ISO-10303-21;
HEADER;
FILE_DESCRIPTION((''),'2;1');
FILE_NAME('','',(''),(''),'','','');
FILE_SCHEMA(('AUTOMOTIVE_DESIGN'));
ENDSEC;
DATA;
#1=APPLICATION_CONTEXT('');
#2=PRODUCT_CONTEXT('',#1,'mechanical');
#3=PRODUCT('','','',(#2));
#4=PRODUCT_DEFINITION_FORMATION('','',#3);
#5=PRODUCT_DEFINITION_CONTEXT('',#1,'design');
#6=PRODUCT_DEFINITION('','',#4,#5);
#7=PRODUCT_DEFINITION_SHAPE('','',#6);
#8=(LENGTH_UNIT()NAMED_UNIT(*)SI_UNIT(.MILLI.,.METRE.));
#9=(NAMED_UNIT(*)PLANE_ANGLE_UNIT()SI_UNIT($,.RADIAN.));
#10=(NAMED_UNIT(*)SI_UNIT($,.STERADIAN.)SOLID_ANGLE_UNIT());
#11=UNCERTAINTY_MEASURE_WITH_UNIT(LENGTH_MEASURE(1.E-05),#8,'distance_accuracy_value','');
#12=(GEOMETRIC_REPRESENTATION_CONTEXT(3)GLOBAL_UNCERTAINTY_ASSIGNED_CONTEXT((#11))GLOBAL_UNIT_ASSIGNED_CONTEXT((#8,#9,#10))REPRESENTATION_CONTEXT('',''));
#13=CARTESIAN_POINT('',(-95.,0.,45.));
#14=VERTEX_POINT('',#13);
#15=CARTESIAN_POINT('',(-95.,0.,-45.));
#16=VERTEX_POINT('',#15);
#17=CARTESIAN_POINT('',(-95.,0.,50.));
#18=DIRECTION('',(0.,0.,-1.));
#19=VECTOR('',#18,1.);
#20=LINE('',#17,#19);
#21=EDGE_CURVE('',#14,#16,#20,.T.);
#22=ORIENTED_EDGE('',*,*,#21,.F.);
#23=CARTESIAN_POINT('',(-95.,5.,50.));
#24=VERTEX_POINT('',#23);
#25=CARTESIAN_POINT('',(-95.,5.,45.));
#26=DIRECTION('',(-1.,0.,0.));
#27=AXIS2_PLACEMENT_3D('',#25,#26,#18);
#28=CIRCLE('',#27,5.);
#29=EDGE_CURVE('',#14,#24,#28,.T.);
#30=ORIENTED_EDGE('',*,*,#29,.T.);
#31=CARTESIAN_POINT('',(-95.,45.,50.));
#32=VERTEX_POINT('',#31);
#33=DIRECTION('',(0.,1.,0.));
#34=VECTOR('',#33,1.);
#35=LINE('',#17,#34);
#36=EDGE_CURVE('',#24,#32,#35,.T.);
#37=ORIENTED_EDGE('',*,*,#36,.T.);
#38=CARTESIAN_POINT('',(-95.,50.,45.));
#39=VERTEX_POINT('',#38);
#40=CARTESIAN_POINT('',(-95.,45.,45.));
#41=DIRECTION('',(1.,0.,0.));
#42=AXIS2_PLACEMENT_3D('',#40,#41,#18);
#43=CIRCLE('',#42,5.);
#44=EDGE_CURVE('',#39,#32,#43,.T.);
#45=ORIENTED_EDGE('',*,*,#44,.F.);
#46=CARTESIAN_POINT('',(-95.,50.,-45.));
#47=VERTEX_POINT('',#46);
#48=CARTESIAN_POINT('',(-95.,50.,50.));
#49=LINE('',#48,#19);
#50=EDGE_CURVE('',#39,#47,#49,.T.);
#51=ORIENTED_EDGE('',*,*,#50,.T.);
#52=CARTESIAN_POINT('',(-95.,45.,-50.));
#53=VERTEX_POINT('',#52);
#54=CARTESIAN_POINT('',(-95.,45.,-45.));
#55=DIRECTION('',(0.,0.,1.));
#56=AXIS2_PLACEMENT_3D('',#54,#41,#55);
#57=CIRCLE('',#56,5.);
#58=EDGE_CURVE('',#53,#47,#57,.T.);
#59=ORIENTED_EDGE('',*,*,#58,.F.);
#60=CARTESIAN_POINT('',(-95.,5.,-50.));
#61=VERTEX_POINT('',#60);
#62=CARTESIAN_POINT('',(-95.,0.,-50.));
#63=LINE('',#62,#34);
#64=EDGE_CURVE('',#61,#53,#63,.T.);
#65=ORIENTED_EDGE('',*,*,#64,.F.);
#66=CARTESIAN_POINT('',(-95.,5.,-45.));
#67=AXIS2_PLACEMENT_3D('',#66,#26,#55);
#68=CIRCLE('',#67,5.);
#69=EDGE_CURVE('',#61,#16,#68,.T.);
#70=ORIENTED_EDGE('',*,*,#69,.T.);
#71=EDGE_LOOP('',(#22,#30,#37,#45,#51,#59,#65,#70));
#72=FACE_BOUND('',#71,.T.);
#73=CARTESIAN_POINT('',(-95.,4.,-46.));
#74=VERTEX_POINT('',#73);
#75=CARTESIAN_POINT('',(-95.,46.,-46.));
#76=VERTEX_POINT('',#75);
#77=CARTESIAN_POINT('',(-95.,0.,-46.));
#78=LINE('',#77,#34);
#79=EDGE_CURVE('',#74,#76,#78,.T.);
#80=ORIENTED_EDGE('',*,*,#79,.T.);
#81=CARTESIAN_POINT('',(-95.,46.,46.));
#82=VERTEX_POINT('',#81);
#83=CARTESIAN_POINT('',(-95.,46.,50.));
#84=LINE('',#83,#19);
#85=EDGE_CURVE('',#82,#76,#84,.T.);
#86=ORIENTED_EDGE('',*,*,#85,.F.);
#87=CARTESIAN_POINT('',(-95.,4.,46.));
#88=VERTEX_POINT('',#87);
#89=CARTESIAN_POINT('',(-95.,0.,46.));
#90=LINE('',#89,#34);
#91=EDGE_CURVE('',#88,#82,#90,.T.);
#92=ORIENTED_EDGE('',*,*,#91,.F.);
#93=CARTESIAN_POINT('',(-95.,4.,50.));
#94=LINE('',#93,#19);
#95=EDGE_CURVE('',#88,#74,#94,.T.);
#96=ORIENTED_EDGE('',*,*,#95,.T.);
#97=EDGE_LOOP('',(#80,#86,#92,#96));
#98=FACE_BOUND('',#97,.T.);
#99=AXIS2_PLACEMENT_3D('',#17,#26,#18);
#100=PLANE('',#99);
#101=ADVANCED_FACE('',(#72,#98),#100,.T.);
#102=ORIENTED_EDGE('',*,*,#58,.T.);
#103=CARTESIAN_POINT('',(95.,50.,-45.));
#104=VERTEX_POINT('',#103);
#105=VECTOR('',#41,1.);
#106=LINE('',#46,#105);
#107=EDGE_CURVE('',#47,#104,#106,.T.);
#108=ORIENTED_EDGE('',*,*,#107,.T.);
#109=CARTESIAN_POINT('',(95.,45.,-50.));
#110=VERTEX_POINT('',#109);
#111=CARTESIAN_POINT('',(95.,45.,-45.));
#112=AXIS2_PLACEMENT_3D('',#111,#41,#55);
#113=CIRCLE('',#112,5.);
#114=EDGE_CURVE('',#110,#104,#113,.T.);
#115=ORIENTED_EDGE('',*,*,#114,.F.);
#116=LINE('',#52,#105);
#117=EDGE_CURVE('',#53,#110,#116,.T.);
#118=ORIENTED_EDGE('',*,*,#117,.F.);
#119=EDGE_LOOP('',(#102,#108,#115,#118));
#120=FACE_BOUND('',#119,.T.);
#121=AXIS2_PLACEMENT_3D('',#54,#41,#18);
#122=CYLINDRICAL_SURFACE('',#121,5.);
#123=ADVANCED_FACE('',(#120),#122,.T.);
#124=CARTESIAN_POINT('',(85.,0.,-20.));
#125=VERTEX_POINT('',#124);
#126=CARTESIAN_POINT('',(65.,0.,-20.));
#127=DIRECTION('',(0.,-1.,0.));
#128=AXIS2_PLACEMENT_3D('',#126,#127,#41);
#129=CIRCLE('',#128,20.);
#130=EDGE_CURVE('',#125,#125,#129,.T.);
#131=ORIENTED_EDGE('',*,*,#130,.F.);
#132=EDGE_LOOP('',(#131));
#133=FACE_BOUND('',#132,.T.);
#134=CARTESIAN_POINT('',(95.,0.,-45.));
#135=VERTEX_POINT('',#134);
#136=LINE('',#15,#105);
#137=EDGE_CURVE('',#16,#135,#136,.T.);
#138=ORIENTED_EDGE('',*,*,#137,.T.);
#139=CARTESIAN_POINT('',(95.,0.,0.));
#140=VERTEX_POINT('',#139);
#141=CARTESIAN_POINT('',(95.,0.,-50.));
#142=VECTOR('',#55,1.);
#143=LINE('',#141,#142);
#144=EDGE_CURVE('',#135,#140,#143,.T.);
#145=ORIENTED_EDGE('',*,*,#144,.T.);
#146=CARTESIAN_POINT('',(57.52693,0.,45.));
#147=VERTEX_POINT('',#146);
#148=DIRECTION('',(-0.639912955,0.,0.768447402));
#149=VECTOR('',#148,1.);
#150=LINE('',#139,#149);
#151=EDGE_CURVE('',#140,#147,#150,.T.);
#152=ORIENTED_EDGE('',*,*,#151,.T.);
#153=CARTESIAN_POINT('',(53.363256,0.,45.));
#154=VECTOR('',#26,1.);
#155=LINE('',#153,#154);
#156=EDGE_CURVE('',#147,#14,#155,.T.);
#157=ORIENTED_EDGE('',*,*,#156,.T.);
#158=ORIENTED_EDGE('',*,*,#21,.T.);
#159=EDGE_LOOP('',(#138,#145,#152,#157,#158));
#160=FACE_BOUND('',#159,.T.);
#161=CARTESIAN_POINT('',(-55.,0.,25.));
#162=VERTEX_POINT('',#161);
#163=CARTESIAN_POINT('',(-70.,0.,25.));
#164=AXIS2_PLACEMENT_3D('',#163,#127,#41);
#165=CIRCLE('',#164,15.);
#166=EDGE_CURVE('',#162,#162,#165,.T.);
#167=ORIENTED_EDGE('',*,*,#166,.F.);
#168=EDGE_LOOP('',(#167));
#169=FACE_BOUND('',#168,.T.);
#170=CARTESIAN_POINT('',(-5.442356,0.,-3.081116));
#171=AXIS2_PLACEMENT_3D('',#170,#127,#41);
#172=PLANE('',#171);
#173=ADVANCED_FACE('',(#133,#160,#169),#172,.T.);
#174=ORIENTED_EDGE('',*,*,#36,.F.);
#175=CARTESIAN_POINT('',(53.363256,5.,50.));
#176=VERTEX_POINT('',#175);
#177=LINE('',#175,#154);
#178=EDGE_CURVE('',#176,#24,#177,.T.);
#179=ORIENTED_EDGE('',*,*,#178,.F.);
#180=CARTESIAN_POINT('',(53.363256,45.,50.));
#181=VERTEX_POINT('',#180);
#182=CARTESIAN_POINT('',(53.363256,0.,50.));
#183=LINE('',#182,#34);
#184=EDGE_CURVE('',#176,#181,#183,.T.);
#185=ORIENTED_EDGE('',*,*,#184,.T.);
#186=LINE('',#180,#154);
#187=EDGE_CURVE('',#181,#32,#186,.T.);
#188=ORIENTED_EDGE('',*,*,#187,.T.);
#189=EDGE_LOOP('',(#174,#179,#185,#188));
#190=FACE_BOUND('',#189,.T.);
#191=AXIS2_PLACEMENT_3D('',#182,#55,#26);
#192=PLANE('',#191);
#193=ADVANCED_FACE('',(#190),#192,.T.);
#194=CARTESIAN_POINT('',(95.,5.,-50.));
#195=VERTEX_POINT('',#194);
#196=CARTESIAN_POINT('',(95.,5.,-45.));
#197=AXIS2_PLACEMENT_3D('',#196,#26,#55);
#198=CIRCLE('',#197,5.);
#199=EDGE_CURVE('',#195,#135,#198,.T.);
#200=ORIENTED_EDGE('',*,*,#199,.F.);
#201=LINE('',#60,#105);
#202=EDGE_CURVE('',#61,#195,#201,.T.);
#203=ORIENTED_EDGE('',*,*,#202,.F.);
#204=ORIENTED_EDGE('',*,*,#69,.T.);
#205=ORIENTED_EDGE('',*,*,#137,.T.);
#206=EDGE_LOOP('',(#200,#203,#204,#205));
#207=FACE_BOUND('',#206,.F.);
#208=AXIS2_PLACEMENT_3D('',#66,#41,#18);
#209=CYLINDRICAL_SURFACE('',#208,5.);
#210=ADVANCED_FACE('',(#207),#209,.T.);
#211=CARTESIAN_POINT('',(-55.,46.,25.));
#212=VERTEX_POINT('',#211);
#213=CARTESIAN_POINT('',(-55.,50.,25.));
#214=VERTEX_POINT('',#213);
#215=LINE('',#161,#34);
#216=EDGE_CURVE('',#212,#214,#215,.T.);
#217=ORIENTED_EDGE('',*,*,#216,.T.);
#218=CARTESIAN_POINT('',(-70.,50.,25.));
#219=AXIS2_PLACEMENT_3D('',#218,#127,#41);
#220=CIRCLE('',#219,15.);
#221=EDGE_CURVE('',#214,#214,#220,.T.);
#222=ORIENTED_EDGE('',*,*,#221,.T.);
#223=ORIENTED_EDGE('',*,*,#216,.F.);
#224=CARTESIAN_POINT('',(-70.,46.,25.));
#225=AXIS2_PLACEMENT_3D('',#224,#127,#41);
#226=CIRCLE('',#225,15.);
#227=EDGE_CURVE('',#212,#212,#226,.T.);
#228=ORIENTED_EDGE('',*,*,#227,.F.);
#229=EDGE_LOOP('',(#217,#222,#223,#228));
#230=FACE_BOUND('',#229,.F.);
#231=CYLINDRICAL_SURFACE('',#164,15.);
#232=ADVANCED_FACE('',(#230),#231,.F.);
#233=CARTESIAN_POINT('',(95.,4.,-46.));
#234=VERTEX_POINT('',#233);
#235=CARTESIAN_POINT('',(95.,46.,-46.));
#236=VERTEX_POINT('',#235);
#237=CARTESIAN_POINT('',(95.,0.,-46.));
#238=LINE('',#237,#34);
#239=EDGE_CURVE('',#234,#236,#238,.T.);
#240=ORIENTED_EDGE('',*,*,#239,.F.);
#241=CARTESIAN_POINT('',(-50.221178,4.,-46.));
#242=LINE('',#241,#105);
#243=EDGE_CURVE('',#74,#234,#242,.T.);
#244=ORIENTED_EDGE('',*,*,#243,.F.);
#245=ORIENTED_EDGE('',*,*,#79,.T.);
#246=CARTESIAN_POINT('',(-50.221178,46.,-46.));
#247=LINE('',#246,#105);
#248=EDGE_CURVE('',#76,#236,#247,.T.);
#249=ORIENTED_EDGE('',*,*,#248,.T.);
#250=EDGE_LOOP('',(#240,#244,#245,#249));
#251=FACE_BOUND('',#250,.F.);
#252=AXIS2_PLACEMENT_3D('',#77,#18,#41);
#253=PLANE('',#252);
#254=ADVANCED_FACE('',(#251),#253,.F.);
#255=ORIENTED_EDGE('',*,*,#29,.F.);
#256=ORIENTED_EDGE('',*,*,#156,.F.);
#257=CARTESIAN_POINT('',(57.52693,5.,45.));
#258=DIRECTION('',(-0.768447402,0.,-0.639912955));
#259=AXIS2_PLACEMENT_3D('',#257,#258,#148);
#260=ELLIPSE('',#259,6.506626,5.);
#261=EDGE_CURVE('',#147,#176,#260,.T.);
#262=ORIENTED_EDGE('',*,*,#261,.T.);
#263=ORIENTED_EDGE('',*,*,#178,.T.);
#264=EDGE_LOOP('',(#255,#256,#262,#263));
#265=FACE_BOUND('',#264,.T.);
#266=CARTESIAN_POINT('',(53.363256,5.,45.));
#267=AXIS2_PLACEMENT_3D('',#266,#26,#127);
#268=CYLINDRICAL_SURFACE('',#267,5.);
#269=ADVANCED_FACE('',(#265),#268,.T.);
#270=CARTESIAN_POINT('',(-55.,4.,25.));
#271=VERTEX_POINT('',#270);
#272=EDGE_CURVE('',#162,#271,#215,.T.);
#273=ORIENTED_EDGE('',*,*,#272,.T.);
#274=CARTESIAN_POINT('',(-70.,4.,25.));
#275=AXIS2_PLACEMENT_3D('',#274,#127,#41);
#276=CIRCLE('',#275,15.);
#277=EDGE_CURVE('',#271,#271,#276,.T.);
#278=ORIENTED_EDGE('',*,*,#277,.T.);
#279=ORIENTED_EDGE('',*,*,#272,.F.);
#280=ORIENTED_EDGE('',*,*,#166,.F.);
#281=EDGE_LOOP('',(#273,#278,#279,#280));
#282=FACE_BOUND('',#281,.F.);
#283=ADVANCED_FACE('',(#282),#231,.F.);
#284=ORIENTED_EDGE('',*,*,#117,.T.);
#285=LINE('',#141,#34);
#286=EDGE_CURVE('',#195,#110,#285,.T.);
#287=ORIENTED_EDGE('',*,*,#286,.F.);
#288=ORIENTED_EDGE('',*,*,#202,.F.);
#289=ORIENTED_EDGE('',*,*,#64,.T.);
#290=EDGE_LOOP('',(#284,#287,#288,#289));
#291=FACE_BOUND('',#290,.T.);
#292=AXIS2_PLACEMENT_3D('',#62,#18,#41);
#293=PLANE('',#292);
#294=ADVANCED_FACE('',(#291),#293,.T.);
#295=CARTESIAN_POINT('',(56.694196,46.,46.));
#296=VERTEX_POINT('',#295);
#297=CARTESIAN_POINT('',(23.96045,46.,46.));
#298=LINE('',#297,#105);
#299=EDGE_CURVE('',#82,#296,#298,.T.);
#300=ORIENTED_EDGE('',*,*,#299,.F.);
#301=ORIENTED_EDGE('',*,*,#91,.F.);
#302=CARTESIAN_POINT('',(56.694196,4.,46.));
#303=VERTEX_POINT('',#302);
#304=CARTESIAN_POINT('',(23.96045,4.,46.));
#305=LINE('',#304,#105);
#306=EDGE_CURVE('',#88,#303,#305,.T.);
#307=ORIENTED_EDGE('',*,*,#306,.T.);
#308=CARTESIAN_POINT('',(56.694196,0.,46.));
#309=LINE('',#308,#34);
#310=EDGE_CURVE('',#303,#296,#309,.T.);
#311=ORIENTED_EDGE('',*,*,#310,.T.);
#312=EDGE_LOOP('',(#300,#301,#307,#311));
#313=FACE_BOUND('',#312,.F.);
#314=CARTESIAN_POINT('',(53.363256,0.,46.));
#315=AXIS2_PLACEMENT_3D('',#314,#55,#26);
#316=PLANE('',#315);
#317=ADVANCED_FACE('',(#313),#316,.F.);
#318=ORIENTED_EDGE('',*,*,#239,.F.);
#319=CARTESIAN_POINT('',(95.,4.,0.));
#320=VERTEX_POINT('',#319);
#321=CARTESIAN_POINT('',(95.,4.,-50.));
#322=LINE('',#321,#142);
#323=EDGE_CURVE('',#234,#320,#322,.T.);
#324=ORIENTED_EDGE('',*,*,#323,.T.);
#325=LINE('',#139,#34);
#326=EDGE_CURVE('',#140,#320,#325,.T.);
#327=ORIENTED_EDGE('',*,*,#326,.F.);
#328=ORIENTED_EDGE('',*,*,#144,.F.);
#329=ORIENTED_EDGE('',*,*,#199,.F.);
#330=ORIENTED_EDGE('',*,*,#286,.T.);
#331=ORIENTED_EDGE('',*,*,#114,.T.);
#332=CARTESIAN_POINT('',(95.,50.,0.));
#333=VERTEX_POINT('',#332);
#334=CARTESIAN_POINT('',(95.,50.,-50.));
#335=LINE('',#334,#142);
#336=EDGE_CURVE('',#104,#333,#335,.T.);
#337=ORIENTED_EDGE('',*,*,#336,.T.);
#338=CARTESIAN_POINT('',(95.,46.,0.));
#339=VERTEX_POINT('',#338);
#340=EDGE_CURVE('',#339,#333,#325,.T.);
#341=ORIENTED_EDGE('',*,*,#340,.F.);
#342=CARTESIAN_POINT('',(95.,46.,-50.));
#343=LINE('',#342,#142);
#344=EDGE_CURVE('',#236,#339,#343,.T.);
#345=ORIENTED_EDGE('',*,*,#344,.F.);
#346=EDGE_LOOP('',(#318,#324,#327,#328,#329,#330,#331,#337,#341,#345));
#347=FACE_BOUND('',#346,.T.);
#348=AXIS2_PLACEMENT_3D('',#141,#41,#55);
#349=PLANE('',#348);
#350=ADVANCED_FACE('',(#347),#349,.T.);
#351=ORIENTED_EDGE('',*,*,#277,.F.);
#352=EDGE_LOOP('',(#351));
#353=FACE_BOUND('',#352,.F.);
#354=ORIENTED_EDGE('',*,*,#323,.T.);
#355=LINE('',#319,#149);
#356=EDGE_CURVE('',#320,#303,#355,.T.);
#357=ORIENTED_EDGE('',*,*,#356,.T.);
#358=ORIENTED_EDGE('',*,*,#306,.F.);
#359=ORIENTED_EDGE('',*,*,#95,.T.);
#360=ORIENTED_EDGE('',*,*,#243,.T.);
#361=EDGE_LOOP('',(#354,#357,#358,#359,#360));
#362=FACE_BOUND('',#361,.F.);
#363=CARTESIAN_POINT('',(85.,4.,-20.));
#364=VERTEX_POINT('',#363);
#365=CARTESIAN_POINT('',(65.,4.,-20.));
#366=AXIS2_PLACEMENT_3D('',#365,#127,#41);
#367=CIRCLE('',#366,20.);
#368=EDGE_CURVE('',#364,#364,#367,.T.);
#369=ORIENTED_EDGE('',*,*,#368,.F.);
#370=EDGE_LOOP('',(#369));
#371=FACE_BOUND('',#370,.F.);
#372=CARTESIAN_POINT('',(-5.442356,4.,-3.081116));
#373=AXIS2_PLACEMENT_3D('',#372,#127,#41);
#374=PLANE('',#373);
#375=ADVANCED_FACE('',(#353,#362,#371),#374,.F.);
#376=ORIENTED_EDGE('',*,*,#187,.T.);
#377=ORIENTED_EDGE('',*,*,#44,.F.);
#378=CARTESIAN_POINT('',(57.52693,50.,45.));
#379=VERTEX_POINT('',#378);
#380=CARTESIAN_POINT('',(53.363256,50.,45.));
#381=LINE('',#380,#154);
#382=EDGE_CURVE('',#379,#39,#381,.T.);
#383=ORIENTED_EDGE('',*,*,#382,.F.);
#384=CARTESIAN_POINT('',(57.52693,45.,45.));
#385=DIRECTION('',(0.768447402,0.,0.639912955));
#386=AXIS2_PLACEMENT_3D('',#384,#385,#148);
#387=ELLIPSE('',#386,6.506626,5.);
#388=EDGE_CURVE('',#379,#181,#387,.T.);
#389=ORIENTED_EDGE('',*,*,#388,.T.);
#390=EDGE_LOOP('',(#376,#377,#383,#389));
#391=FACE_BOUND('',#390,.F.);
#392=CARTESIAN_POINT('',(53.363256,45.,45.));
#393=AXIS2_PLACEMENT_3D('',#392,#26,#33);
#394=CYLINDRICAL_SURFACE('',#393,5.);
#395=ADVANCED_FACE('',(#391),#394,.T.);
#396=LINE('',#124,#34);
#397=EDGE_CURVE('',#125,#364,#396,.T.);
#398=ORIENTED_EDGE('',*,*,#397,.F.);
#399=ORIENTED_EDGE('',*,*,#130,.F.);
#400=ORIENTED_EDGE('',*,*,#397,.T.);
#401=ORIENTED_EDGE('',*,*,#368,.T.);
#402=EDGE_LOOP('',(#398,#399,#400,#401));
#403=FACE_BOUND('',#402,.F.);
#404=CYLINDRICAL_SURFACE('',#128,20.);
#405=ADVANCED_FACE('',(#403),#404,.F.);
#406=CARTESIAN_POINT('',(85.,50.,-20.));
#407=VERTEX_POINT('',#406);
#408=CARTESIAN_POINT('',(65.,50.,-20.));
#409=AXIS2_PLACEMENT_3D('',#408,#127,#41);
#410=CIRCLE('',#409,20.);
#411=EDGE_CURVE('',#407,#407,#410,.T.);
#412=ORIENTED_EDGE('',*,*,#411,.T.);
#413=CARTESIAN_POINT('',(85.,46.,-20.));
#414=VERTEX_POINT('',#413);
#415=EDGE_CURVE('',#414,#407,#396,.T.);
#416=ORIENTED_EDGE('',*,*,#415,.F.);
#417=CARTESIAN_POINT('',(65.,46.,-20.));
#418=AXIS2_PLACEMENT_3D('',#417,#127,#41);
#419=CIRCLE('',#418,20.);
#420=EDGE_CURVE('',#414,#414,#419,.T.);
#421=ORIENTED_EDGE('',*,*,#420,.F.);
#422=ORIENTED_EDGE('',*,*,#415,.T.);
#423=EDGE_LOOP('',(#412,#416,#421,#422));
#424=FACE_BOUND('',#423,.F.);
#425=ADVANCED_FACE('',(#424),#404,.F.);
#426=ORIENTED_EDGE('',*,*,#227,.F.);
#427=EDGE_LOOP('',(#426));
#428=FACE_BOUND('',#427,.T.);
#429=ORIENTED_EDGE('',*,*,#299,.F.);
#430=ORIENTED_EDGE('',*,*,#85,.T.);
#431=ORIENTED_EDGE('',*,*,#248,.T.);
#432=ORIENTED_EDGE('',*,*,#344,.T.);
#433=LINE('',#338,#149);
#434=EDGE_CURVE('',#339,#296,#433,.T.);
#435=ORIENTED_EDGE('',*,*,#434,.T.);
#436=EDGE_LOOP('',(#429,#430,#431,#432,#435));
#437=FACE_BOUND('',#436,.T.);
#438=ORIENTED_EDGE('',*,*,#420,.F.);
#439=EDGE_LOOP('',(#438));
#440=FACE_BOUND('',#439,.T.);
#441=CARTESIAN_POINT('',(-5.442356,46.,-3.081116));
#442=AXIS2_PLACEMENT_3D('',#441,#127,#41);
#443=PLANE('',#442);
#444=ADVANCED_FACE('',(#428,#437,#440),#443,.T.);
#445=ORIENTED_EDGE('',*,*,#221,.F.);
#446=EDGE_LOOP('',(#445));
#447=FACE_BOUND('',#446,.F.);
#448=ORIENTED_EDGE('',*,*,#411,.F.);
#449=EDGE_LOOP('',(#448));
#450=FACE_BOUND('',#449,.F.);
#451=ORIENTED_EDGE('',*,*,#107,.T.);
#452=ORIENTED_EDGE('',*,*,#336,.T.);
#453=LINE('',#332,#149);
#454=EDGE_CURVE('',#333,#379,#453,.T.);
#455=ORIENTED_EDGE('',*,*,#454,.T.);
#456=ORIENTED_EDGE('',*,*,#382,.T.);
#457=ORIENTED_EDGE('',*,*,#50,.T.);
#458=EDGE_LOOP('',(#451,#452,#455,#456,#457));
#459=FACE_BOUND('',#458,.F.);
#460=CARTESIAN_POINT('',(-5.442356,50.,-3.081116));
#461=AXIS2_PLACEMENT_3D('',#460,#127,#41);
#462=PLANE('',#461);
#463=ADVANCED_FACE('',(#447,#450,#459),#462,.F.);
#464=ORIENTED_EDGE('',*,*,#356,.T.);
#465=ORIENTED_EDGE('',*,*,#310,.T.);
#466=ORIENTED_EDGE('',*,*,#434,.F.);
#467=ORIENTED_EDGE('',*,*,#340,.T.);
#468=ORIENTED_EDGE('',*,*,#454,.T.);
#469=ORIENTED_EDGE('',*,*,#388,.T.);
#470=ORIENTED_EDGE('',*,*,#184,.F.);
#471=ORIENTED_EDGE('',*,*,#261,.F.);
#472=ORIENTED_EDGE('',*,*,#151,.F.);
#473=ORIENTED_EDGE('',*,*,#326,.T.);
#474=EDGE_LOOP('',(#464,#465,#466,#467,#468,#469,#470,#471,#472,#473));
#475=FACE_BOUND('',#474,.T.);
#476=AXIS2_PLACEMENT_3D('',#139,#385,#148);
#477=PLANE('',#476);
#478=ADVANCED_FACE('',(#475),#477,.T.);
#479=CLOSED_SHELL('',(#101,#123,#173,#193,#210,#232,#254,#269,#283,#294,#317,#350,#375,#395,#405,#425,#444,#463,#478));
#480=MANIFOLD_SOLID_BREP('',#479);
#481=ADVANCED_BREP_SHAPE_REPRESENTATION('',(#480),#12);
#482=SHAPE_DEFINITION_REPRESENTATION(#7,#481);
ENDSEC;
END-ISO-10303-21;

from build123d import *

# Parameters (mm, degrees)
F1_DEPTH = 50
F2_T     = -4
F3_R     = 15
F3_R_2   = 20
F4_DEPTH = 50.001
F5_R     = 5


with BuildPart() as f1:
    # F0 (on Front) → F1 (new body)
    with BuildSketch(Plane.XZ):
        Polygon((-95, -50), (95, -50), (95, 0), (53.363256, 50), (-95, 50), align=None)
    extrude(amount=-F1_DEPTH)

    # F2
    f2_openings = [f1.faces().sort_by_distance(p)[0] for p in [
        (-95, 25, 0),
        (95, 25, -25),
        (74.181628, 25, 25),
    ]]
    offset(amount=F2_T, openings=f2_openings)

    # F3 (on Front) → F4 (cut, through all)
    with BuildSketch(Plane.XZ):
        with Locations((-70, 25)):
            Circle(F3_R)
        with Locations((65, -20)):
            Circle(F3_R_2)
    extrude(amount=-F4_DEPTH, mode=Mode.SUBTRACT)

    # F5
    f5_edges = [f1.edges().sort_by_distance(p)[0] for p in [
        (-20.818372, 0, 50),
        (-20.818372, 50, 50),
        (0, 0, -50),
        (0, 50, -50),
    ]]
    fillet(f5_edges, radius=F5_R)


solid = f1.part
